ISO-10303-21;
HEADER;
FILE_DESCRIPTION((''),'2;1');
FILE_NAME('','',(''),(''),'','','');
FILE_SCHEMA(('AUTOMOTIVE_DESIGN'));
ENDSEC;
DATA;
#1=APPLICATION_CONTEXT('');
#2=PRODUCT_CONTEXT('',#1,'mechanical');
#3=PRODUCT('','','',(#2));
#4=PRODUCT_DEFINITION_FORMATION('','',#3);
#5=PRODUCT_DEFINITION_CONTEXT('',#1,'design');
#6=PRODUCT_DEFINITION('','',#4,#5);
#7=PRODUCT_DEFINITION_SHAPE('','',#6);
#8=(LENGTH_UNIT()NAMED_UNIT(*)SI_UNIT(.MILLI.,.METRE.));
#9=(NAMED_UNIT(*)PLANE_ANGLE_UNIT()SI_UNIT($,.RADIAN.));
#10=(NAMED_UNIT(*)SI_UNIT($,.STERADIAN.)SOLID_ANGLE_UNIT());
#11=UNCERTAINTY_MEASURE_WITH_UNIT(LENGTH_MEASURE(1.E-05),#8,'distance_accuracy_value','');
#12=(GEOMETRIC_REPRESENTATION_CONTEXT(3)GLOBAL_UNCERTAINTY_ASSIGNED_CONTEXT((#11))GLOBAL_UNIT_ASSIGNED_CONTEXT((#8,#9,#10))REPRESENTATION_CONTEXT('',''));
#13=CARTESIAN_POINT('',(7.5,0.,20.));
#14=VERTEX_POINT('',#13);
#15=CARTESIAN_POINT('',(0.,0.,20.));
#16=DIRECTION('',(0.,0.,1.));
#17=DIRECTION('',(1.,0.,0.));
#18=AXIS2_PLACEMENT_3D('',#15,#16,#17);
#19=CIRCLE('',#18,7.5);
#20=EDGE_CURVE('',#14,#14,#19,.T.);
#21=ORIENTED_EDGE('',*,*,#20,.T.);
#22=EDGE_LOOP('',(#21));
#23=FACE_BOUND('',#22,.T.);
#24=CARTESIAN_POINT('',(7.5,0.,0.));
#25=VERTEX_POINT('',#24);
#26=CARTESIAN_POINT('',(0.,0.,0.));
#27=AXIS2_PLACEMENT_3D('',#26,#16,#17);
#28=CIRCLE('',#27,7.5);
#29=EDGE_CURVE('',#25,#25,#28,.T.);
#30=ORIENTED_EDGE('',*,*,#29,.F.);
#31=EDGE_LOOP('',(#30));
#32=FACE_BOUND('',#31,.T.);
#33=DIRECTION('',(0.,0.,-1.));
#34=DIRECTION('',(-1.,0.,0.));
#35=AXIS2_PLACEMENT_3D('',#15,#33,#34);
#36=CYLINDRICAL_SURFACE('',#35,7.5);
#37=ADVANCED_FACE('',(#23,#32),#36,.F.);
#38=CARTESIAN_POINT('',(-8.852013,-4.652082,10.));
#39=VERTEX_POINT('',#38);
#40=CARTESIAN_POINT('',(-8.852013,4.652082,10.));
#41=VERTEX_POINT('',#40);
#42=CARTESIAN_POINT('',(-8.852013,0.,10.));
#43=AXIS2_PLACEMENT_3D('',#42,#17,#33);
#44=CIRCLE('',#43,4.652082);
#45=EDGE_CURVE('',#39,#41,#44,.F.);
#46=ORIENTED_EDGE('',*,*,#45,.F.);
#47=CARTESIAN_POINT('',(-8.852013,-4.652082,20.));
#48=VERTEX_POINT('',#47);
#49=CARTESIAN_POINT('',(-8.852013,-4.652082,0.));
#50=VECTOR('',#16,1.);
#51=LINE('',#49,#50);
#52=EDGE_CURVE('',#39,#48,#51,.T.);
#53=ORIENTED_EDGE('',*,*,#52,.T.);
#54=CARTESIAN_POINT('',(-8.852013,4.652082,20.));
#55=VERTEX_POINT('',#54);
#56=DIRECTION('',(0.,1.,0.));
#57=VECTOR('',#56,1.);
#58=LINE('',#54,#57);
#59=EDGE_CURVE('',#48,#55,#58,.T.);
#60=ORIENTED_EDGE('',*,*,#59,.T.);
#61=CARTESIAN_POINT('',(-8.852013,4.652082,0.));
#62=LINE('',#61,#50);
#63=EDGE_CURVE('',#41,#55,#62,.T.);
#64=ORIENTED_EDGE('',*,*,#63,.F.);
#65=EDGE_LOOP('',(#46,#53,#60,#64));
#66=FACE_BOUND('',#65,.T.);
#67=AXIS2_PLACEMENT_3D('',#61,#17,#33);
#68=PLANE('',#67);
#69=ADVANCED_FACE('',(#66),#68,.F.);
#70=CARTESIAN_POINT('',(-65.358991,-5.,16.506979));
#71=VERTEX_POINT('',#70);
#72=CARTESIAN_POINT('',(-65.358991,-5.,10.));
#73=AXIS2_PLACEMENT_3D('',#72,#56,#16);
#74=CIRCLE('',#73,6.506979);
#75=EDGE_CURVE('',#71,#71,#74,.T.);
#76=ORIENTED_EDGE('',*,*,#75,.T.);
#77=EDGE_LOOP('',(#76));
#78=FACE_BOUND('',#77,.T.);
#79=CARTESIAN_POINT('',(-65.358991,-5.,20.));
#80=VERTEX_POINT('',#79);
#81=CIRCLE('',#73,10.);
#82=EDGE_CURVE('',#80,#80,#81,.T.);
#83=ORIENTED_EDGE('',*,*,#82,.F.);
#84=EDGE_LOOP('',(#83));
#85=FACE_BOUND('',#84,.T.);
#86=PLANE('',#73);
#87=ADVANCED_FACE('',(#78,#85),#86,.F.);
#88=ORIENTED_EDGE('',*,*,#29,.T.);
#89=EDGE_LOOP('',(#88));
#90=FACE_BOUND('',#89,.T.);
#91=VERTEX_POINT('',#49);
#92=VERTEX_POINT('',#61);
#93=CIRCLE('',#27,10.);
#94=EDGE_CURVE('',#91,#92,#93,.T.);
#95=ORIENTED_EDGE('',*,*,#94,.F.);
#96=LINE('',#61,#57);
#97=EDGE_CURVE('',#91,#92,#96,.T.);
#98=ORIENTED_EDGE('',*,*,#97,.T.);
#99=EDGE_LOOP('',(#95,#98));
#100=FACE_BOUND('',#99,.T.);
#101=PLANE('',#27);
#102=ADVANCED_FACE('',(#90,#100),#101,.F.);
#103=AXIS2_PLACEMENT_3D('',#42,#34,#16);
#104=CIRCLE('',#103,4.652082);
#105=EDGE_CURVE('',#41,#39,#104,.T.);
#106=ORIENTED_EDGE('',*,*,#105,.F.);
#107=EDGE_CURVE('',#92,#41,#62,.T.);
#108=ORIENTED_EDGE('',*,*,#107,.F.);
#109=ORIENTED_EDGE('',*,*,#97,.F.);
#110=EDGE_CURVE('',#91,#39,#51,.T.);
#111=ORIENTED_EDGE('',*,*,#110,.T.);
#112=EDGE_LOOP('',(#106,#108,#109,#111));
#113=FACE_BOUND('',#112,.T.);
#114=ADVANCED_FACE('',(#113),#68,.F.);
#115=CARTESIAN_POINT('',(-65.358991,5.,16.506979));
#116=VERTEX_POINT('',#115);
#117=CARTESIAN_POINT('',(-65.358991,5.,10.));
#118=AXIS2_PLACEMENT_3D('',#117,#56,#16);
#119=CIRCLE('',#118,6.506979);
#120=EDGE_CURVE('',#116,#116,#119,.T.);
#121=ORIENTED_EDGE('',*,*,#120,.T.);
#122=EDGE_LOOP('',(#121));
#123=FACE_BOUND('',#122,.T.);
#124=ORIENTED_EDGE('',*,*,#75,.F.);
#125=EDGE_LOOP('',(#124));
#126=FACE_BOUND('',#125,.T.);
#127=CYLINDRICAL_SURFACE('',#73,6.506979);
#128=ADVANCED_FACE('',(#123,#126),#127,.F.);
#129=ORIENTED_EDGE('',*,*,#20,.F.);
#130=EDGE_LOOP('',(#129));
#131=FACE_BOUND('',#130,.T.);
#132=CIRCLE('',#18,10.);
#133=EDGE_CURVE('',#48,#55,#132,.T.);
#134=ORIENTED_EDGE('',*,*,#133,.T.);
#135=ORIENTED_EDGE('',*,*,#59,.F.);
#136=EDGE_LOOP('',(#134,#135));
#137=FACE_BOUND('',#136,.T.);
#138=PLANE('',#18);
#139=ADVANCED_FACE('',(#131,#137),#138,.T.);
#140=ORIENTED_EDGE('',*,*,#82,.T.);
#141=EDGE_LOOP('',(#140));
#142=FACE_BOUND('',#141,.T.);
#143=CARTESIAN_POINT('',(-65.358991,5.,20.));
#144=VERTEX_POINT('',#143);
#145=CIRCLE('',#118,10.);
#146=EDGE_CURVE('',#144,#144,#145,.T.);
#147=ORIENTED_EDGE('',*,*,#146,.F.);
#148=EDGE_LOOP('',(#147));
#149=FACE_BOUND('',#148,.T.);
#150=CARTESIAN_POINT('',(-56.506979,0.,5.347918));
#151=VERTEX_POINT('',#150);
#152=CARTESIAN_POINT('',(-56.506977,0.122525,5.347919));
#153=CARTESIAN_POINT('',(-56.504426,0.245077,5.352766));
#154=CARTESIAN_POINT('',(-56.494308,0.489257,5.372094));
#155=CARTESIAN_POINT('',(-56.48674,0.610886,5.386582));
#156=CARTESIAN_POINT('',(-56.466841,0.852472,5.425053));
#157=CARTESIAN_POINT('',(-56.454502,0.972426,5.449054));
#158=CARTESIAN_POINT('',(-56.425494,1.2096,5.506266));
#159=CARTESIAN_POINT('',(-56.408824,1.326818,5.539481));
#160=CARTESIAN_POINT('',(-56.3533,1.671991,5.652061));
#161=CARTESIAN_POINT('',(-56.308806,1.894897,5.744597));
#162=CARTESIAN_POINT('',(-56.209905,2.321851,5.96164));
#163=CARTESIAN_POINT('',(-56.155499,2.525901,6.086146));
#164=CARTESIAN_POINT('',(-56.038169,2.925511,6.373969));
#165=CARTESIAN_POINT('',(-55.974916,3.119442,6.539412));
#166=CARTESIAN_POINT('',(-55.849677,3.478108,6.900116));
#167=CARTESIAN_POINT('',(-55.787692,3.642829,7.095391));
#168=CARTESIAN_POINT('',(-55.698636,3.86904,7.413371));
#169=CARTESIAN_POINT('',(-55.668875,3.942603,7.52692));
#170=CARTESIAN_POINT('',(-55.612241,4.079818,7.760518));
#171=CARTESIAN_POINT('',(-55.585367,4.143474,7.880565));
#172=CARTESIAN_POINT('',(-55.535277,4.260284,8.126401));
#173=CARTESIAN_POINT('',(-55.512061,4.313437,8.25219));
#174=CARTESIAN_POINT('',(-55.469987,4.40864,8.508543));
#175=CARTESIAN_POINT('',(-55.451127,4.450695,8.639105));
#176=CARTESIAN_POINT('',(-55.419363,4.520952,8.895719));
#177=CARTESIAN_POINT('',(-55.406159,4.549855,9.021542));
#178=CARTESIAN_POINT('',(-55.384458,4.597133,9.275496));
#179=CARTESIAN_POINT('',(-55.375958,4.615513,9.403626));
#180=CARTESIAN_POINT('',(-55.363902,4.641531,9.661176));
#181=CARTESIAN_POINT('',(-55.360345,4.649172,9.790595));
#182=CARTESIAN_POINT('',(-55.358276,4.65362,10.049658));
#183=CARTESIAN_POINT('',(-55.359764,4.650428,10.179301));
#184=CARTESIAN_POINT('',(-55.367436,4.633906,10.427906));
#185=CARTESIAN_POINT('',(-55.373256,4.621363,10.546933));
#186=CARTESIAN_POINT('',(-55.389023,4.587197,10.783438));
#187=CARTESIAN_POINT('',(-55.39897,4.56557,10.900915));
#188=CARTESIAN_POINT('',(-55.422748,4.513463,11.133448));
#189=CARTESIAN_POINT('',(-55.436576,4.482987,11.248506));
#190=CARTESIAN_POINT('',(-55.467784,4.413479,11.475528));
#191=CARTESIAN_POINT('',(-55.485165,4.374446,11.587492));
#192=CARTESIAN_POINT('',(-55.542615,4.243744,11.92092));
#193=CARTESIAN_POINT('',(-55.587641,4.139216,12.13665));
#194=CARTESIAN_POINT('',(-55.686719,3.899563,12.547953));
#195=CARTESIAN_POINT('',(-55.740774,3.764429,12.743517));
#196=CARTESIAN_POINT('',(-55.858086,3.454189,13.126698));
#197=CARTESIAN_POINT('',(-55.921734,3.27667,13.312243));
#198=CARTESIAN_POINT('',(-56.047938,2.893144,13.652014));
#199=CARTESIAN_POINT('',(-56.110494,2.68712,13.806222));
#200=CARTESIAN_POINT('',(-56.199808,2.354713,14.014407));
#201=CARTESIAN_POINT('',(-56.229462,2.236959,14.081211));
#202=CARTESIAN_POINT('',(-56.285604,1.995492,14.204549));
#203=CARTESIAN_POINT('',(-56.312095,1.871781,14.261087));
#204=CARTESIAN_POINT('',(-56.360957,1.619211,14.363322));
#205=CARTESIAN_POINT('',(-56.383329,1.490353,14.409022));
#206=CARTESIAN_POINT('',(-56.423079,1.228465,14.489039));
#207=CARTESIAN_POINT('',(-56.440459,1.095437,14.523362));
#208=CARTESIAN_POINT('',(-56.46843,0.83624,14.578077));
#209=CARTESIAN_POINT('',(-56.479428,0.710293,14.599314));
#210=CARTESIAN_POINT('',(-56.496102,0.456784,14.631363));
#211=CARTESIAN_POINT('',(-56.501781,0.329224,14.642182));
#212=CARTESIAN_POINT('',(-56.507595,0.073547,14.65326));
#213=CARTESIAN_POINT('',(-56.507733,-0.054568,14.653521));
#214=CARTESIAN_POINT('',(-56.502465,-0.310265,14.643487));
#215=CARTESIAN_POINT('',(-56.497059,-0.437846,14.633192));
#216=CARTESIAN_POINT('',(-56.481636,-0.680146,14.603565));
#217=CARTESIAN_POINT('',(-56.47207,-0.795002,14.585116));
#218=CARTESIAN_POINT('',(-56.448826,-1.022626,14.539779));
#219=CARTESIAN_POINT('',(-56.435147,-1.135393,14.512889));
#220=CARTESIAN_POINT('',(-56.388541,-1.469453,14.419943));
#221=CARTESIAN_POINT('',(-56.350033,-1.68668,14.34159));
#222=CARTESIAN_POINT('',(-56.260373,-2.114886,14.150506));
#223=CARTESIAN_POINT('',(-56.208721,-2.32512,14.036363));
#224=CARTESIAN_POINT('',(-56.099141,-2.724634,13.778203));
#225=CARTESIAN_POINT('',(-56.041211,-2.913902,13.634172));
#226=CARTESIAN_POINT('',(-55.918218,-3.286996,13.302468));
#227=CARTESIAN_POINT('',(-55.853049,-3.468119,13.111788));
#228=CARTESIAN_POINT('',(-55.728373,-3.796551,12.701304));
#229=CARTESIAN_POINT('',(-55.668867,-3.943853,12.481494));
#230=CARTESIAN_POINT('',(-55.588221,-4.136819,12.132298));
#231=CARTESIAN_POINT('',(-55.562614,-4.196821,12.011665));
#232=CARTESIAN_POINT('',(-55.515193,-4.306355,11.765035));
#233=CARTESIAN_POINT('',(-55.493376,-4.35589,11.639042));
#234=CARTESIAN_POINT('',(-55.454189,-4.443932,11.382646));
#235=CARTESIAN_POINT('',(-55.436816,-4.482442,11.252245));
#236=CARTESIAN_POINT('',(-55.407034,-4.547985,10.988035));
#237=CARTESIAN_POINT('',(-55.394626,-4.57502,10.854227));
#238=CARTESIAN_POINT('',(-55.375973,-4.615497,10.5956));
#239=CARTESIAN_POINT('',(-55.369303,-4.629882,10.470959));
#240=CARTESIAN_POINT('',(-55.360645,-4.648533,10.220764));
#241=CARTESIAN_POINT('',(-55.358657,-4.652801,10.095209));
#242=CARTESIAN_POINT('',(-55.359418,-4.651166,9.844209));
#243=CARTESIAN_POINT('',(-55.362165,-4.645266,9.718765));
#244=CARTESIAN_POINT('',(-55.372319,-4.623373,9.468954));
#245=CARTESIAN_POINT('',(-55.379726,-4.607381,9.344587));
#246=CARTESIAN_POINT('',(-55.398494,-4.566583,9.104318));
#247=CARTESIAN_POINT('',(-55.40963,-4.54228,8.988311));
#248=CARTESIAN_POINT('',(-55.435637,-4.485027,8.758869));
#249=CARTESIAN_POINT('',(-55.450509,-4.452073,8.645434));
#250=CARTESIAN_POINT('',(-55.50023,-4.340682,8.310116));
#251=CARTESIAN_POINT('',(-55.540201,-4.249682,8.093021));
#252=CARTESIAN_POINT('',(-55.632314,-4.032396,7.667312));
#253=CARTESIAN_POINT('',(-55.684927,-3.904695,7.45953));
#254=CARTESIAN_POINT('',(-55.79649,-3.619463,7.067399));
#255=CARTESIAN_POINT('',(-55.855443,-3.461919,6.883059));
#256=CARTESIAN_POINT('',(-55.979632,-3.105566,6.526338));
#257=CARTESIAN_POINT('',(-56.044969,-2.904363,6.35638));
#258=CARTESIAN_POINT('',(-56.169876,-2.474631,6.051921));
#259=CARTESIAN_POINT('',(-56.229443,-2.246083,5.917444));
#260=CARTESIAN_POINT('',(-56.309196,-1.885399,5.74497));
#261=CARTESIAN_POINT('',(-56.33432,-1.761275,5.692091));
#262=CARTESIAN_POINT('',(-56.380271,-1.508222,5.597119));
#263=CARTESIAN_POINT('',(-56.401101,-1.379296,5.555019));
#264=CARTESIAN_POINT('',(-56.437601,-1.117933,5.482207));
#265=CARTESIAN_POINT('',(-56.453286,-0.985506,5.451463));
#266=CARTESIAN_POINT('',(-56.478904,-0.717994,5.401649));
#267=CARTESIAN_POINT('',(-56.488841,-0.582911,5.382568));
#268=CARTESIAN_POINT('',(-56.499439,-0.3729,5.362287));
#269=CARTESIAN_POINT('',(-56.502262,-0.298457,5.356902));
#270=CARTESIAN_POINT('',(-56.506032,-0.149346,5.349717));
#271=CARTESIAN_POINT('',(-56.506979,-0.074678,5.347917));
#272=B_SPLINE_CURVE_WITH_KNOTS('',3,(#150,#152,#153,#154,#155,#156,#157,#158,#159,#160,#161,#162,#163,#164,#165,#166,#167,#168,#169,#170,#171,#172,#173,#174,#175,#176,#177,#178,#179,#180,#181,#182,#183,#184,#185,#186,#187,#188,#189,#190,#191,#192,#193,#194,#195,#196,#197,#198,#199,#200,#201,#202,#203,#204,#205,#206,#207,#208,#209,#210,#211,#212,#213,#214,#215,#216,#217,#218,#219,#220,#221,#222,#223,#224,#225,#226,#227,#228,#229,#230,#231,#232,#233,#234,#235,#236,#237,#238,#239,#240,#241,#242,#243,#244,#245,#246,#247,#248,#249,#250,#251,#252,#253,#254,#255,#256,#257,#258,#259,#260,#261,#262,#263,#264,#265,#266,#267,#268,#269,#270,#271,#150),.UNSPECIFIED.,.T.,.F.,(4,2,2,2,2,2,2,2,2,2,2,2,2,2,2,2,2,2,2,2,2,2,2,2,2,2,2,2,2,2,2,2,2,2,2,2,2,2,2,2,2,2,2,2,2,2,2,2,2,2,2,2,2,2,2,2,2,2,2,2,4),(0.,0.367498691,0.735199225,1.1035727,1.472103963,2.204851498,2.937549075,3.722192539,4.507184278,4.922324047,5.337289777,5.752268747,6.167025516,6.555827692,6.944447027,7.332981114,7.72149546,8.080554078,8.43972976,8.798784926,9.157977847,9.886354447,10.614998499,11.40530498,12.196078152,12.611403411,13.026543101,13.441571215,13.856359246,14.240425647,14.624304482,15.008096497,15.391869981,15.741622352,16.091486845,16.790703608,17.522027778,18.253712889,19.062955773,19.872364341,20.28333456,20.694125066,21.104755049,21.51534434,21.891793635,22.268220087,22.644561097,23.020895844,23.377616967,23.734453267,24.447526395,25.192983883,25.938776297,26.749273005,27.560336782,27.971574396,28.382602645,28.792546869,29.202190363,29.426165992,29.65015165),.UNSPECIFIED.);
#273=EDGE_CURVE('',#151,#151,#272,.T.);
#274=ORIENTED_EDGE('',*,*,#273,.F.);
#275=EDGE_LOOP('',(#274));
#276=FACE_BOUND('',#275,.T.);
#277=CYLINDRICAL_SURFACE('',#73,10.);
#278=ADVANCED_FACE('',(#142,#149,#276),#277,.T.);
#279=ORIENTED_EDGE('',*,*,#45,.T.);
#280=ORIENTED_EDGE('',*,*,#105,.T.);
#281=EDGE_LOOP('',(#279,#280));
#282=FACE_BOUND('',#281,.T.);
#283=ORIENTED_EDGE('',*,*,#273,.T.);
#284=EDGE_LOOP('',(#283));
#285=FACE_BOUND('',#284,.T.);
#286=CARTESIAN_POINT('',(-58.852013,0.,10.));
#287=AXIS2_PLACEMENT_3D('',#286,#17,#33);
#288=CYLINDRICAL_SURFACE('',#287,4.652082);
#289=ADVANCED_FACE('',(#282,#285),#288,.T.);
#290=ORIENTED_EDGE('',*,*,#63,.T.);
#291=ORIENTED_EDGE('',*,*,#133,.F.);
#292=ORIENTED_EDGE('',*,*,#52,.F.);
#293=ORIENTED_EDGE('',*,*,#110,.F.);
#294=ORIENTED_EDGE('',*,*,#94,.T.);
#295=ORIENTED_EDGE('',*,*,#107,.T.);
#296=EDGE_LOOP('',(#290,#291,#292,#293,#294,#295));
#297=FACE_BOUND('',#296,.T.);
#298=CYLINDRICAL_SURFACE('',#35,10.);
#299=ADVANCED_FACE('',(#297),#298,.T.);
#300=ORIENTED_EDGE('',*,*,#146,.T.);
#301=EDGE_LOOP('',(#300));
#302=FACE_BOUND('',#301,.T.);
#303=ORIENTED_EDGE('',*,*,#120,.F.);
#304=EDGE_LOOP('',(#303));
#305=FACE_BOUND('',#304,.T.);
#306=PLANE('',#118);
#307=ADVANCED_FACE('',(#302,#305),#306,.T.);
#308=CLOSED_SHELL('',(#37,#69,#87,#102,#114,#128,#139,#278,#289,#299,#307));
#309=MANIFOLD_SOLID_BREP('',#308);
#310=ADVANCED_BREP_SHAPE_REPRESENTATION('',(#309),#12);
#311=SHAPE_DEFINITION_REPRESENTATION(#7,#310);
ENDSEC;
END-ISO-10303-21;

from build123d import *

# Parameters (mm, degrees)
SKETCH2_R                = 10
SKETCH2_R_2              = 7.5
BOSS_EXTRUDE1_DEPTH      = 20
CUT_EXTRUDE1_START       = -20
CUT_EXTRUDE1_DEPTH       = 20
SKETCH4_R                = 4.652081996
BOSS_EXTRUDE2_DEPTH      = 50
BOSS_EXTRUDE3_DEPTH      = 5
BOSS_EXTRUDE3_DEPTH_BACK = 5
SKETCH5_R                = 10
SKETCH5_R_2              = 6.506978502


with BuildPart() as part:
    # Sketch2 → Boss-Extrude1 (new body)
    with BuildSketch(Plane.XY):
        Circle(SKETCH2_R)
        Circle(SKETCH2_R_2, mode=Mode.SUBTRACT)
    extrude(amount=BOSS_EXTRUDE1_DEPTH)

    # Sketch3 → Cut-Extrude1 (cut)
    with BuildSketch(Plane.XY.offset(20).offset(CUT_EXTRUDE1_START)):
        with BuildLine():
            Line((-8.852012941, 4.652081996), (-8.852012941, -4.652081996))
            ThreePointArc((-8.852012941, -4.652081996), (-10, 0), (-8.852012941, 4.652081996))
        make_face()
    extrude(amount=CUT_EXTRUDE1_DEPTH, mode=Mode.SUBTRACT)

    # Sketch4 → Boss-Extrude2 (add)
    with BuildSketch(Plane.ZY.offset(8.852012941)):
        with Locations((10, 0)):
            Circle(SKETCH4_R)
    extrude(amount=BOSS_EXTRUDE2_DEPTH)

    # Sketch5 → Boss-Extrude3 (add, two sides: drawn at the far end of the back side and taken through both)
    with BuildSketch(Plane(origin=(0, 0, 0), x_dir=(1, 0, 0), z_dir=(0, 1, 0)).offset(-BOSS_EXTRUDE3_DEPTH_BACK)):
        with Locations((-65.358991443, -10)):
            Circle(SKETCH5_R)
        with Locations((-65.358991443, -10)):
            Circle(SKETCH5_R_2, mode=Mode.SUBTRACT)
    extrude(amount=BOSS_EXTRUDE3_DEPTH + BOSS_EXTRUDE3_DEPTH_BACK)


solid = part.part
